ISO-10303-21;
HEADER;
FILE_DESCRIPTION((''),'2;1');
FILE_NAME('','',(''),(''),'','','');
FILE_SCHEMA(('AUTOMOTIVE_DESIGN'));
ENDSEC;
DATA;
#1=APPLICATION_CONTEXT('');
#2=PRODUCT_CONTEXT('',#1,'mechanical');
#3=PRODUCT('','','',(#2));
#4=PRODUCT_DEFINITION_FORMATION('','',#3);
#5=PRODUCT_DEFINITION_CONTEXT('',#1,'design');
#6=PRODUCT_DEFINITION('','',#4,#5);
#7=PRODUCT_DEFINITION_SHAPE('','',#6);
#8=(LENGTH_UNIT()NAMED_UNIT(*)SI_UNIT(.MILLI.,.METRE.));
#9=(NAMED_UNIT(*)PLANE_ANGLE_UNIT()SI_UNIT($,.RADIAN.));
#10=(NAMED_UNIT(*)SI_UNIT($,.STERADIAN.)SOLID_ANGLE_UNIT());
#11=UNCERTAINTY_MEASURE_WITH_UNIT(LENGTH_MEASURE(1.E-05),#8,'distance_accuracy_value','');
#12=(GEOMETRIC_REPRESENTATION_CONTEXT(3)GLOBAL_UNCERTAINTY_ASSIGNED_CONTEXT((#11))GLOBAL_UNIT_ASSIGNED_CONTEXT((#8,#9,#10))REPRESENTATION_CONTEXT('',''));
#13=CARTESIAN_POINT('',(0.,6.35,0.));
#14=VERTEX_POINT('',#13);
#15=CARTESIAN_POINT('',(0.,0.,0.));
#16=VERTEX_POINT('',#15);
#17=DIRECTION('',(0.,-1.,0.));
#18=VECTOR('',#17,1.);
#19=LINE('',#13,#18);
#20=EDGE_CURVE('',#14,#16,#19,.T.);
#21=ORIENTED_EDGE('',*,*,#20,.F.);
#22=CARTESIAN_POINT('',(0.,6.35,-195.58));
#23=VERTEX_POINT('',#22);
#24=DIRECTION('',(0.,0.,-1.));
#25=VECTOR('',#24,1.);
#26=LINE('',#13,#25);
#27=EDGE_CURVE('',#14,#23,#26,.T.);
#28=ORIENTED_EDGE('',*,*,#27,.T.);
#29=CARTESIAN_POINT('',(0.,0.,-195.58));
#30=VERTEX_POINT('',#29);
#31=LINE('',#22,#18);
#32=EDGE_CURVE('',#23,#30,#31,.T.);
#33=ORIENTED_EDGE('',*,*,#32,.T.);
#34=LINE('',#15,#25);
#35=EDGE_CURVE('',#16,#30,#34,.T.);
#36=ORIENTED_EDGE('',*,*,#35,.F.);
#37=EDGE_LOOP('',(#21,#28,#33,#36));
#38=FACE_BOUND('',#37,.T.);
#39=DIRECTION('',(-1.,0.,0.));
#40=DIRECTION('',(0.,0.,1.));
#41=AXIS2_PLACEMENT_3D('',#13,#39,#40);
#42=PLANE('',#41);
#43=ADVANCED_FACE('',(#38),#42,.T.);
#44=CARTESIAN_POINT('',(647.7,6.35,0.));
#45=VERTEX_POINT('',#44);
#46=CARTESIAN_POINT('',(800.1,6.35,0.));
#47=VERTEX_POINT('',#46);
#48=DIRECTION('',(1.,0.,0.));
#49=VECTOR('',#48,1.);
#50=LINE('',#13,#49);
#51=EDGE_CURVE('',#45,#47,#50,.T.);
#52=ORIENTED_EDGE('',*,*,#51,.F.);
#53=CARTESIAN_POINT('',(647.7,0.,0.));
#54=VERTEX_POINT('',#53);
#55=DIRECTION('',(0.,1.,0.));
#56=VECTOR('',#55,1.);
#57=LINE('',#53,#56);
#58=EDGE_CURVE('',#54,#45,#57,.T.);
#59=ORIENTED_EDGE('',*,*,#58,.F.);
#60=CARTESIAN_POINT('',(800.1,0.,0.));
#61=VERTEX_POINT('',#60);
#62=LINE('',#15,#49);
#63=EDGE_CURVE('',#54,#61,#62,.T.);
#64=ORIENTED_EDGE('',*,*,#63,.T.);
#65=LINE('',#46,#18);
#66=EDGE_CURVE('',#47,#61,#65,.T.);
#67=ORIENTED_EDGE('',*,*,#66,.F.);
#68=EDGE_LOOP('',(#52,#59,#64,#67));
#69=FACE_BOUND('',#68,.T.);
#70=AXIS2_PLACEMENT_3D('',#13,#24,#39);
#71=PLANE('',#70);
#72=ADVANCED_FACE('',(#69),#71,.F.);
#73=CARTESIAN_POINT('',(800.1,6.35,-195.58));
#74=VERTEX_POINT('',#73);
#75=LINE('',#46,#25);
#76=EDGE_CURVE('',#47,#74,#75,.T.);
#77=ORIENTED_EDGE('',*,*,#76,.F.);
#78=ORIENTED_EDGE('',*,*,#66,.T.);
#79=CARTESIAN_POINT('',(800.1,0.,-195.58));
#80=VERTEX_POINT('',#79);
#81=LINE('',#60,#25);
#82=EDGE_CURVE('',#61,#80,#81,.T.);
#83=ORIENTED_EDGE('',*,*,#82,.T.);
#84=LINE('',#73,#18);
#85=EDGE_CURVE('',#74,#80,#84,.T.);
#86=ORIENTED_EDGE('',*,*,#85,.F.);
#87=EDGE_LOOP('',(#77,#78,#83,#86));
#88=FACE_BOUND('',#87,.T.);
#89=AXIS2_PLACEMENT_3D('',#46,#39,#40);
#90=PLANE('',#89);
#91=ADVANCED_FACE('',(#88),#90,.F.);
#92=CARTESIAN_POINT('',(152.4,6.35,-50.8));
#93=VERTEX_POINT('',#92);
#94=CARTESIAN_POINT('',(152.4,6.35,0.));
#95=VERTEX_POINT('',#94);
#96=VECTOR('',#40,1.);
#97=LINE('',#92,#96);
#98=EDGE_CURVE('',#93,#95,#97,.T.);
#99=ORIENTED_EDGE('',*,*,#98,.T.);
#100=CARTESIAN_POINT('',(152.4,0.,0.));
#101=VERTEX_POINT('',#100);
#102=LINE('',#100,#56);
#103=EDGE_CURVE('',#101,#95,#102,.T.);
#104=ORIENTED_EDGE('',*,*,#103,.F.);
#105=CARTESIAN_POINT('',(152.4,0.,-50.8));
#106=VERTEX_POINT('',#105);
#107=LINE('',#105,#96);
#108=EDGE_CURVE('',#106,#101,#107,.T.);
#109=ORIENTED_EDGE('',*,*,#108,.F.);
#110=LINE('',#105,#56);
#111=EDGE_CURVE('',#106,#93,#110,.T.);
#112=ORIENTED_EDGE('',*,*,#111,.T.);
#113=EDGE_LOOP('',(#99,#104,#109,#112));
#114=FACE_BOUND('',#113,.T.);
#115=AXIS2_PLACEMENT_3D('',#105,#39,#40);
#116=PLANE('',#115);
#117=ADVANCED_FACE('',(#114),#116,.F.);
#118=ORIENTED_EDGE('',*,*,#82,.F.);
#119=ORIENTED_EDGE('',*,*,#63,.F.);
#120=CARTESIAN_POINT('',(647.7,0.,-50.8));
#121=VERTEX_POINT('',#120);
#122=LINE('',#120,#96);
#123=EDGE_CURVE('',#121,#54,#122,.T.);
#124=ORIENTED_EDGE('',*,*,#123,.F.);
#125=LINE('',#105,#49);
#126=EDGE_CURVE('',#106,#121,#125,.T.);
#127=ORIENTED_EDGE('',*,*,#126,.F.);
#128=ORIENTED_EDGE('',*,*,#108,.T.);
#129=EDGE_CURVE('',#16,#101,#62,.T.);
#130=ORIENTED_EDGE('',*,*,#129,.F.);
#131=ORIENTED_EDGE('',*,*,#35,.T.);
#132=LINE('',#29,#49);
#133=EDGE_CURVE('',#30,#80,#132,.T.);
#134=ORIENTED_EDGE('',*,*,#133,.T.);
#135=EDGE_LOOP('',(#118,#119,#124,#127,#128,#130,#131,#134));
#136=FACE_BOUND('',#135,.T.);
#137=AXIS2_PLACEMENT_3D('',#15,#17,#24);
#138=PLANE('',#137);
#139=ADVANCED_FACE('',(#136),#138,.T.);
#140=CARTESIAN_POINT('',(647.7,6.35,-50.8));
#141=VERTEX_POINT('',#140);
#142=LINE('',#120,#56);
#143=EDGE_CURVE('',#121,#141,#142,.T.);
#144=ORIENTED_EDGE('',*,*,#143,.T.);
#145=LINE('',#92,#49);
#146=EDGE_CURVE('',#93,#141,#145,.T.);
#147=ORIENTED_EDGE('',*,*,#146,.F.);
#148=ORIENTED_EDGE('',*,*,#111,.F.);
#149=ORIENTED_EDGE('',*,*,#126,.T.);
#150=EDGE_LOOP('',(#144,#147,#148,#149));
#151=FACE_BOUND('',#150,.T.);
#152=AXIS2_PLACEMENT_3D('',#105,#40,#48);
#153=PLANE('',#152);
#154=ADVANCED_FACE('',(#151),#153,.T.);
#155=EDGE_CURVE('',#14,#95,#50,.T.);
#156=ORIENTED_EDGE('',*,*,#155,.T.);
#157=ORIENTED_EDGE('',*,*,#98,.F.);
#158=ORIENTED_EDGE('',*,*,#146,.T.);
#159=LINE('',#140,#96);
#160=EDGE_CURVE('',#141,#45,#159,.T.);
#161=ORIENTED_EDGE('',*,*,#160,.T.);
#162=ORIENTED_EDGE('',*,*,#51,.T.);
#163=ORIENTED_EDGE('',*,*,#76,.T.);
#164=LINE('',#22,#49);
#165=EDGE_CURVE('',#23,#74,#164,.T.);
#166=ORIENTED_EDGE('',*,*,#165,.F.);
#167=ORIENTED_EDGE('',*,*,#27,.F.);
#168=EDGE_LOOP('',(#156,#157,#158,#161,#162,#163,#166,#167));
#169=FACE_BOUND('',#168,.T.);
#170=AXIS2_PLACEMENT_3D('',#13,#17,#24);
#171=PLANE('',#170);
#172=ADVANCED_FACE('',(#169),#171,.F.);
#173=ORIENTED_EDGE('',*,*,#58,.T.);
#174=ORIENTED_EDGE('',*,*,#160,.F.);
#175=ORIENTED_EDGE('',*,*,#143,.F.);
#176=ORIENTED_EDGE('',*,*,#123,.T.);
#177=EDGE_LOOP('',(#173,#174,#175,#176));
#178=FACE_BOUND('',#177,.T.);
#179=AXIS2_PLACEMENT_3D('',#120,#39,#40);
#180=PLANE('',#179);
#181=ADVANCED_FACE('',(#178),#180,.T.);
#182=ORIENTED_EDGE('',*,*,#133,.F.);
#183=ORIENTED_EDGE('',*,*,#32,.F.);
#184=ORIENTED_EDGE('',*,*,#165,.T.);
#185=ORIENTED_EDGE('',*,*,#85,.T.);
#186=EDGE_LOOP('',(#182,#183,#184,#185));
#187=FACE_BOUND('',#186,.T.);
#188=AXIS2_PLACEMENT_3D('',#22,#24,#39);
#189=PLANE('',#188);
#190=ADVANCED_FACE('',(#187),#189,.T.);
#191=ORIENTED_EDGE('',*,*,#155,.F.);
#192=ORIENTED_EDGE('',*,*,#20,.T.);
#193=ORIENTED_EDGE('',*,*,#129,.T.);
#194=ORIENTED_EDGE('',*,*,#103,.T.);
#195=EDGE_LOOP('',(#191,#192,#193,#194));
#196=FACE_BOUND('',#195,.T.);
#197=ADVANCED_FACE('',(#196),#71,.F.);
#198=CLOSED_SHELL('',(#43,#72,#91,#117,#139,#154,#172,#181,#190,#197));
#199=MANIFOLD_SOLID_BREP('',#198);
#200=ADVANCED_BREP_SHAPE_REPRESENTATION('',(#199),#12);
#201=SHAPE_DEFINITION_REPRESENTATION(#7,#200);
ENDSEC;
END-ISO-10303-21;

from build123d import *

# Parameters (mm, degrees)
SKETCH1_W           = 800.1
SKETCH1_H           = 195.58
BOSS_EXTRUDE2_DEPTH = 6.35
SKETCH3_W           = 495.3
SKETCH3_H           = 50.8
CUT_EXTRUDE1_DEPTH  = 6.35


with BuildPart() as part:
    # Sketch1 → Boss-Extrude2 (new body)
    with BuildSketch(Plane(origin=(0, 0, 0), x_dir=(1, 0, 0), z_dir=(0, 1, 0))):
        with Locations((400.05, 97.79)):
            Rectangle(SKETCH1_W, SKETCH1_H)
    extrude(amount=BOSS_EXTRUDE2_DEPTH)

    # Sketch3 → Cut-Extrude1 (cut)
    with BuildSketch(Plane(origin=(0, 6.35, 0), x_dir=(1, 0, 0), z_dir=(0, 1, 0))):
        with Locations((400.05, 25.4)):
            Rectangle(SKETCH3_W, SKETCH3_H)
    extrude(amount=-CUT_EXTRUDE1_DEPTH, mode=Mode.SUBTRACT)


solid = part.part
